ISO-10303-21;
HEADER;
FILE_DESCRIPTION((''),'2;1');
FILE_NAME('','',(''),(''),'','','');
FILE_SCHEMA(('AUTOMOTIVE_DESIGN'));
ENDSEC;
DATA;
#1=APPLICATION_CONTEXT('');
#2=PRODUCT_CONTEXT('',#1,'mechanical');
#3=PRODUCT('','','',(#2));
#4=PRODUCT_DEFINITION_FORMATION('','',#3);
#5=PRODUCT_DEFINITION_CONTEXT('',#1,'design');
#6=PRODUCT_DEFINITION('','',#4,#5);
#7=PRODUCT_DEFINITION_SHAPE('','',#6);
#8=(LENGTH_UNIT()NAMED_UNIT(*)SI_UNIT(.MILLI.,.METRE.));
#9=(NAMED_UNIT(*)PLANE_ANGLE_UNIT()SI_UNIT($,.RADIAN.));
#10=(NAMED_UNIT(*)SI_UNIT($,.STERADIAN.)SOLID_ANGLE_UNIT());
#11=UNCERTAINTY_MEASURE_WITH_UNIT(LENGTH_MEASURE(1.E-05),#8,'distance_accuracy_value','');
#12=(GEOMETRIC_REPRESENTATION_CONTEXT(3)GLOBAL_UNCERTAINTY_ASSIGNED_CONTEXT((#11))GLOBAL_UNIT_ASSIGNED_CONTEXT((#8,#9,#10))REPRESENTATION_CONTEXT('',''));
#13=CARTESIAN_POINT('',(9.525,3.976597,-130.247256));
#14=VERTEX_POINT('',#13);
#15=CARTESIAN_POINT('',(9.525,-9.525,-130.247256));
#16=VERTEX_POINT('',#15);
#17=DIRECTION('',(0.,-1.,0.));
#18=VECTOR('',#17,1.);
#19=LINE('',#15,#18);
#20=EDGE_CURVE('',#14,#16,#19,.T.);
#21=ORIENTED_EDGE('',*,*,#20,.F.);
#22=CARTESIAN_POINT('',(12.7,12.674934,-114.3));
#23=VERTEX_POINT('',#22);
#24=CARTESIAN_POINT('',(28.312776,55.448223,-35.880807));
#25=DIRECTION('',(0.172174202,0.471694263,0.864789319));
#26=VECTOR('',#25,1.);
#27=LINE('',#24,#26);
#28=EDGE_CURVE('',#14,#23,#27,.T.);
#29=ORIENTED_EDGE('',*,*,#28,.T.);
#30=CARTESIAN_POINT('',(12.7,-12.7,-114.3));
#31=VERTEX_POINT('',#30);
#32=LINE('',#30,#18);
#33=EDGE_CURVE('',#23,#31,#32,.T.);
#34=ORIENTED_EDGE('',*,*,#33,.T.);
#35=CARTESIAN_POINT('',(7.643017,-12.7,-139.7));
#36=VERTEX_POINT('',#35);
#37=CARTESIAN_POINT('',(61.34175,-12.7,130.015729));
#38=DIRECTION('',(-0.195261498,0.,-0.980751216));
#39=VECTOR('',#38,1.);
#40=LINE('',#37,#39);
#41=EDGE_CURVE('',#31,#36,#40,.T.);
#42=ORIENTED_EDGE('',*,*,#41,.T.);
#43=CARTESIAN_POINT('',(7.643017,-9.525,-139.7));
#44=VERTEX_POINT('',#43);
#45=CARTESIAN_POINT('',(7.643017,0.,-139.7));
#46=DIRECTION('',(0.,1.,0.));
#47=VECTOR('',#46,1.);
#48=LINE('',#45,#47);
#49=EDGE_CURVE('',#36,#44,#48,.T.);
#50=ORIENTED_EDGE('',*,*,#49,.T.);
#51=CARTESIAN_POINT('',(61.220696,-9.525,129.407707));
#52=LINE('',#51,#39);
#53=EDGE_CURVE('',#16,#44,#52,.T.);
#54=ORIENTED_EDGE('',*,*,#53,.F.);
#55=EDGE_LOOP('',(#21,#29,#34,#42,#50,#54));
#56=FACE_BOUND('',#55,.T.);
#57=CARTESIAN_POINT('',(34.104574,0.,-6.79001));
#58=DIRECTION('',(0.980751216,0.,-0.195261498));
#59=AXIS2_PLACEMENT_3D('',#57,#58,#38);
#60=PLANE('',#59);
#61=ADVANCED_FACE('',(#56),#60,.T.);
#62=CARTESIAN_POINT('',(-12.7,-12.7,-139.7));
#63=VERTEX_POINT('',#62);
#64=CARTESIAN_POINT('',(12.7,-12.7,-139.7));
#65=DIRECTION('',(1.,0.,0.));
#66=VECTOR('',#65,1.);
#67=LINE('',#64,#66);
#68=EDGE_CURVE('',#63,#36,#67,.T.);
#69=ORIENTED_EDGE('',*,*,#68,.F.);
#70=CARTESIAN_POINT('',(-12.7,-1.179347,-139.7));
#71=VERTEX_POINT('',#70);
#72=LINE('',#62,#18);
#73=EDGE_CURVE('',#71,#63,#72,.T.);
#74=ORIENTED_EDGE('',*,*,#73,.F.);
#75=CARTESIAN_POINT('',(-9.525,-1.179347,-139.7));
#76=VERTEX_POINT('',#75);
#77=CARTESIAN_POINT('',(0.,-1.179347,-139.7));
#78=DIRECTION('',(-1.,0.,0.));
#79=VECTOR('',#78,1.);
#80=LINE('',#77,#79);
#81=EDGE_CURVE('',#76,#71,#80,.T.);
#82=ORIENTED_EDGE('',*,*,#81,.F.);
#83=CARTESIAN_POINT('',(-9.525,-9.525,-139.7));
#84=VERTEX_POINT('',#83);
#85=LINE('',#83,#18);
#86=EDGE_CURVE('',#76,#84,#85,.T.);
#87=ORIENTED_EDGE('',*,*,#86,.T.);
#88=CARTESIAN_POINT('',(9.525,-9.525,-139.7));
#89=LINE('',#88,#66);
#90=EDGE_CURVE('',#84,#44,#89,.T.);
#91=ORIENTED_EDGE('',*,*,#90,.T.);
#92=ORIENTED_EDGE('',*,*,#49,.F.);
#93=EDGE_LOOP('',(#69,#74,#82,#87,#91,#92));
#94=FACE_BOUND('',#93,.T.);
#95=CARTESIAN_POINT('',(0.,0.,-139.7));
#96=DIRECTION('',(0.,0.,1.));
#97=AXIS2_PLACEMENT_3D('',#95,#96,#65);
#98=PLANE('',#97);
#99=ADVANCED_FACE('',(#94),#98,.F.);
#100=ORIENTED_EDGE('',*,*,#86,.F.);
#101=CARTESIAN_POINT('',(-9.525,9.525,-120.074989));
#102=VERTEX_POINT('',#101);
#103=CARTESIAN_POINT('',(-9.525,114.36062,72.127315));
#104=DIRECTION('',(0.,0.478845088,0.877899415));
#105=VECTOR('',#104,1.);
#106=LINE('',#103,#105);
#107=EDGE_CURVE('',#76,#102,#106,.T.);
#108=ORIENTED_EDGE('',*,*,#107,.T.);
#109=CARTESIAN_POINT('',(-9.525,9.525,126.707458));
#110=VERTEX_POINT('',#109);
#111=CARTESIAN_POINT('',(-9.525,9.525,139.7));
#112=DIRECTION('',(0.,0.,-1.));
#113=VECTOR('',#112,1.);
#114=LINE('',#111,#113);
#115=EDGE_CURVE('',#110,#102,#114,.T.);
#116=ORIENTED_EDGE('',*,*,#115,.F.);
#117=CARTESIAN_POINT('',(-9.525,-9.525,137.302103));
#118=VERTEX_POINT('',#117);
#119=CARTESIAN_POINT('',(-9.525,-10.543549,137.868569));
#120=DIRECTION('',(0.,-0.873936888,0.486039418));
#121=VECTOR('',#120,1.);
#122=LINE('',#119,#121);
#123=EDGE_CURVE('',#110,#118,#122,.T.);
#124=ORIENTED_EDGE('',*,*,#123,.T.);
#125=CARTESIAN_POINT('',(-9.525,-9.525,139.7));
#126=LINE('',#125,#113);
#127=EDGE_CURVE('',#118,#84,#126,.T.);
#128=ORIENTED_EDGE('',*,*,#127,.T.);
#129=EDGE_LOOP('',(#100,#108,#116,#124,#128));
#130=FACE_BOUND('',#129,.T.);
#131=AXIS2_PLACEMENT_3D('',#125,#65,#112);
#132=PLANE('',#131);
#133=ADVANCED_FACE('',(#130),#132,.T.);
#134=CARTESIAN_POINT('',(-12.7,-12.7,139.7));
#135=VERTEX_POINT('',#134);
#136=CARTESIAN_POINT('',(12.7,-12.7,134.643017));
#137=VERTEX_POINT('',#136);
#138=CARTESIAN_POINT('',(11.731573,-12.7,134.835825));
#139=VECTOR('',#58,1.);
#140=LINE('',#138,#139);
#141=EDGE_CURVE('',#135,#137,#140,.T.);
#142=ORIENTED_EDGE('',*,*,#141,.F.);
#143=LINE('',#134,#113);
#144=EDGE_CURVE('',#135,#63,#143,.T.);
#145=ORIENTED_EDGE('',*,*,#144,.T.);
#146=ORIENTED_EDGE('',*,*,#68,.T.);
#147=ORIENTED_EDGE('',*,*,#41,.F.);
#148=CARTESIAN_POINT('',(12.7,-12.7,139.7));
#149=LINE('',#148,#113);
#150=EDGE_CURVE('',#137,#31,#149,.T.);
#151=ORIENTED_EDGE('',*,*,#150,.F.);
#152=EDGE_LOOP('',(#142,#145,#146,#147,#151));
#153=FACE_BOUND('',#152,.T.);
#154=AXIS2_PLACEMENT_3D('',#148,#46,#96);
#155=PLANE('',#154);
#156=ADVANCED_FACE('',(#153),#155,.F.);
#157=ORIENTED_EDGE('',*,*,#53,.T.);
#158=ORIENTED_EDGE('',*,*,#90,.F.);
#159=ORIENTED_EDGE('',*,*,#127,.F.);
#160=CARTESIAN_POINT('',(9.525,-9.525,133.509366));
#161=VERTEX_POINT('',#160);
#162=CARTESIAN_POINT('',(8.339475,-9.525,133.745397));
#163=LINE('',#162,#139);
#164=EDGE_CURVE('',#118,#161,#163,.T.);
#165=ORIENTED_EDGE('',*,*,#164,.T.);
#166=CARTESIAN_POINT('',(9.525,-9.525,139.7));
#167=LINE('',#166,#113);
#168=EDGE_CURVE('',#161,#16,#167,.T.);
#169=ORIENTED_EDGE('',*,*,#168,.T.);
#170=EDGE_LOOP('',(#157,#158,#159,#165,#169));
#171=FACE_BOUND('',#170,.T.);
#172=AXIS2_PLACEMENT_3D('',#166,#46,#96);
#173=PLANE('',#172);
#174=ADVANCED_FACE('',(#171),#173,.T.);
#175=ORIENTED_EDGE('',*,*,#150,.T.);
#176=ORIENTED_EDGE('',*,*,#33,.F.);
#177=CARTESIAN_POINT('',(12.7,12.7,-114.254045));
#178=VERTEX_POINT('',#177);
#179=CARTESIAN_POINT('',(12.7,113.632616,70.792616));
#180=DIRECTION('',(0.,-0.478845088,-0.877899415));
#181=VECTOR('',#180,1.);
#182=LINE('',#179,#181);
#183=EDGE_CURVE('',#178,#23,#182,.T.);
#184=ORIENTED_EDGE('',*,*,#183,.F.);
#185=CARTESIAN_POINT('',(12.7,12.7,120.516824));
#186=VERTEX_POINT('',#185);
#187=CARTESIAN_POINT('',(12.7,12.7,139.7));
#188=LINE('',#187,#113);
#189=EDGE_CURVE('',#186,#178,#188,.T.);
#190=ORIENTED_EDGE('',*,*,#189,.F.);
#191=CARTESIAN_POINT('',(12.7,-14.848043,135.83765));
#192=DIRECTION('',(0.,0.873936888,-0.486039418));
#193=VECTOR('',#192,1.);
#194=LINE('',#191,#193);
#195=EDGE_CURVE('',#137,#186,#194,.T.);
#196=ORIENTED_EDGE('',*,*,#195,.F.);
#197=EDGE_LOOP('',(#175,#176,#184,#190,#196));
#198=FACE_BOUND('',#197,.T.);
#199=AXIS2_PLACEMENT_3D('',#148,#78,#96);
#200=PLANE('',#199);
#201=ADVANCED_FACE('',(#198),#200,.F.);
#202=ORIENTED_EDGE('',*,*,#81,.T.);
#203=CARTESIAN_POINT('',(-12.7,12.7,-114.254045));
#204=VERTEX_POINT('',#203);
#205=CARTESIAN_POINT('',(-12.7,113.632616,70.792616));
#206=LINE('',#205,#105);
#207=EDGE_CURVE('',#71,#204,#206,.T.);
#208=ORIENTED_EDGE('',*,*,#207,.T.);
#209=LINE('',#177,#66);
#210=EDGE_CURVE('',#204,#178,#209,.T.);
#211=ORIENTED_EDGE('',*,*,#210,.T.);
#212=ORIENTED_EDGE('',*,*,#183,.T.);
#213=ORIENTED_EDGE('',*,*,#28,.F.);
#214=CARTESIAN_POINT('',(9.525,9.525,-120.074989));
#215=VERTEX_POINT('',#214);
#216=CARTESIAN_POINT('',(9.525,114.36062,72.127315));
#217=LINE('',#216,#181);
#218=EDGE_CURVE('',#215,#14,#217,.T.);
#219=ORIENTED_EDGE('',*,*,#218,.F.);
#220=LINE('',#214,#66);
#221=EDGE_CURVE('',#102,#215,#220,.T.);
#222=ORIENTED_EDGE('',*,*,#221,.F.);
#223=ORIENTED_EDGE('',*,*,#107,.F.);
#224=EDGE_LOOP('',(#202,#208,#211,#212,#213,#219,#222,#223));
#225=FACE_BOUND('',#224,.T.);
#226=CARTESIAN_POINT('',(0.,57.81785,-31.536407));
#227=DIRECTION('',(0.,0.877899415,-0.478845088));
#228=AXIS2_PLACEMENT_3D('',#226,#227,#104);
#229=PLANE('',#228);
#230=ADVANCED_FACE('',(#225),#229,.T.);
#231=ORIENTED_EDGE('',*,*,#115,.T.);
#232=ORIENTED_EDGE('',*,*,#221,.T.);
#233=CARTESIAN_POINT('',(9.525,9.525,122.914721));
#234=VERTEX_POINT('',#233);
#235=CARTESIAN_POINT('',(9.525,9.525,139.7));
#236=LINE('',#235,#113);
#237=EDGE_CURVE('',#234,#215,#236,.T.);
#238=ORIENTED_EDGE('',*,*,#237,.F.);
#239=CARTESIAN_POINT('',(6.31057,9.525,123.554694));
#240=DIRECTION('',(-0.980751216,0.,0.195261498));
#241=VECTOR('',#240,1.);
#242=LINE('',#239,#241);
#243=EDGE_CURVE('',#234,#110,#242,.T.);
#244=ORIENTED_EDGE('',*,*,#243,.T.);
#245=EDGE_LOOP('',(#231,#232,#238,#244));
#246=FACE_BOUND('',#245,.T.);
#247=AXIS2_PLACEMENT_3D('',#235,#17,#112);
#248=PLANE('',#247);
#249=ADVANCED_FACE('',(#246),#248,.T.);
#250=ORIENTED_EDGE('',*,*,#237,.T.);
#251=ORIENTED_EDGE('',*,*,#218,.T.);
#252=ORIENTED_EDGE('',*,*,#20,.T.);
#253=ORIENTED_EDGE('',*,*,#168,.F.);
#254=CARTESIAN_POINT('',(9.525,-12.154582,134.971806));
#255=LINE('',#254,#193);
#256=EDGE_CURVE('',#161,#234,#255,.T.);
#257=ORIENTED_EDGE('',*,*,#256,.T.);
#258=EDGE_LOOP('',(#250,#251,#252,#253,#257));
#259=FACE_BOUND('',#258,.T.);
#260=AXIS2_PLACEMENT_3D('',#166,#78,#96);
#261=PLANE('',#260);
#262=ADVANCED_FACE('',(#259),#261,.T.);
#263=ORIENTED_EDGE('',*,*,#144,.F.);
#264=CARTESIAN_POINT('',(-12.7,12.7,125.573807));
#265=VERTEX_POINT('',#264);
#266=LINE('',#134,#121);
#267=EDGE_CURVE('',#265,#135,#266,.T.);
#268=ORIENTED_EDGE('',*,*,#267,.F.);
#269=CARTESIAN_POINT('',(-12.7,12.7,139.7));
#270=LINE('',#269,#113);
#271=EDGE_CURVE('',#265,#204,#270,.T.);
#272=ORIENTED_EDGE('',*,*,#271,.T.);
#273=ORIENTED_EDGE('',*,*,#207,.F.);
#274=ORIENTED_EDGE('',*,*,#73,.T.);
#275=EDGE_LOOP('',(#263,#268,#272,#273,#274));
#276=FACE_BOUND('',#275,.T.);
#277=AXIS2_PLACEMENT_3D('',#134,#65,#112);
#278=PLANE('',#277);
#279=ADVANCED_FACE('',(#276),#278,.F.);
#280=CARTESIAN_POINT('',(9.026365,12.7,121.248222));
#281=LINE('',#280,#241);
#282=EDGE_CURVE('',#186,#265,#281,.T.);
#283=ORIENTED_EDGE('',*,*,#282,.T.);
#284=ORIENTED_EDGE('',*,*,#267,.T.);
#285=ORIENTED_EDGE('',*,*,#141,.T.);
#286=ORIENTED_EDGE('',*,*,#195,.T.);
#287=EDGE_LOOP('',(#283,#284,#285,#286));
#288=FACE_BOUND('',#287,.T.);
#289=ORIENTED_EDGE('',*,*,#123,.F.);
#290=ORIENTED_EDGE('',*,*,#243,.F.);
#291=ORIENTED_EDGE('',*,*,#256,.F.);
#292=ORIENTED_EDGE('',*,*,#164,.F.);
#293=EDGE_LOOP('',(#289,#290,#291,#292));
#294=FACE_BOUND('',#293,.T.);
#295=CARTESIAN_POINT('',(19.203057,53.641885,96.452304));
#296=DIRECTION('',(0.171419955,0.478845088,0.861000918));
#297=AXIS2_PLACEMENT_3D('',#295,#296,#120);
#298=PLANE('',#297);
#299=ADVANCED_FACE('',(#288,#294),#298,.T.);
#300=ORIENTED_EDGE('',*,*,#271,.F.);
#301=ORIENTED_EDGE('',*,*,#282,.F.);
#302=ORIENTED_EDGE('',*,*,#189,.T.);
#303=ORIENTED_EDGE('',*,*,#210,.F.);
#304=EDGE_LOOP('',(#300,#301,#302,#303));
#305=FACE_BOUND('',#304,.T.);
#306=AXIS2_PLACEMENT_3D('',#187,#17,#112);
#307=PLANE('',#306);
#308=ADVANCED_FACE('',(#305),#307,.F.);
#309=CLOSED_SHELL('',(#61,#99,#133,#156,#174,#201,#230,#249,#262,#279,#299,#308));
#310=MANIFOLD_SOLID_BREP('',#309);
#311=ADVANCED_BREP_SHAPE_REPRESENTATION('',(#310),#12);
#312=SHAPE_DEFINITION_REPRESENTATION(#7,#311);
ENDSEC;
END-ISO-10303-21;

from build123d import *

# Parameters (mm, degrees)
BOSS_EXTRUDE1_DEPTH      = 139.7
BOSS_EXTRUDE1_DEPTH_BACK = 139.7
SKETCH3_W                = 25.4
SKETCH3_H                = 25.4
SKETCH3_W_2              = 19.05
SKETCH3_H_2              = 19.05


with BuildPart() as part:
    # Sketch3 → Boss-Extrude1 (new, two sides: drawn at the far end of the back side and taken through both)
    with BuildSketch(Plane.XY.offset(-BOSS_EXTRUDE1_DEPTH_BACK)):
        Rectangle(SKETCH3_W, SKETCH3_H)
        Rectangle(SKETCH3_W_2, SKETCH3_H_2, mode=Mode.SUBTRACT)
    extrude(amount=BOSS_EXTRUDE1_DEPTH + BOSS_EXTRUDE1_DEPTH_BACK)

    # SurfaceCut2
    split(bisect_by=Plane(origin=(19.203056865, 53.641884581, 96.452303833), x_dir=(0.9807512157806098, 0, -0.1952614983678451), z_dir=(0.17141995510435715, 0.47884508758591265, 0.8610009181684186)), keep=Keep.BOTTOM)

    # SurfaceCut4
    split(bisect_by=Plane(origin=(34.104573835, 0, -6.790009618), x_dir=(0, 1, 0), z_dir=(0.9807512157806096, 0, -0.19526149836784543)), keep=Keep.BOTTOM)

    # SurfaceCut5
    split(bisect_by=Plane(origin=(0, 57.817850163, -31.536407322), x_dir=(1, 0, 0), z_dir=(0, 0.8778994145657232, -0.47884508758591277)), keep=Keep.BOTTOM)


solid = part.part
